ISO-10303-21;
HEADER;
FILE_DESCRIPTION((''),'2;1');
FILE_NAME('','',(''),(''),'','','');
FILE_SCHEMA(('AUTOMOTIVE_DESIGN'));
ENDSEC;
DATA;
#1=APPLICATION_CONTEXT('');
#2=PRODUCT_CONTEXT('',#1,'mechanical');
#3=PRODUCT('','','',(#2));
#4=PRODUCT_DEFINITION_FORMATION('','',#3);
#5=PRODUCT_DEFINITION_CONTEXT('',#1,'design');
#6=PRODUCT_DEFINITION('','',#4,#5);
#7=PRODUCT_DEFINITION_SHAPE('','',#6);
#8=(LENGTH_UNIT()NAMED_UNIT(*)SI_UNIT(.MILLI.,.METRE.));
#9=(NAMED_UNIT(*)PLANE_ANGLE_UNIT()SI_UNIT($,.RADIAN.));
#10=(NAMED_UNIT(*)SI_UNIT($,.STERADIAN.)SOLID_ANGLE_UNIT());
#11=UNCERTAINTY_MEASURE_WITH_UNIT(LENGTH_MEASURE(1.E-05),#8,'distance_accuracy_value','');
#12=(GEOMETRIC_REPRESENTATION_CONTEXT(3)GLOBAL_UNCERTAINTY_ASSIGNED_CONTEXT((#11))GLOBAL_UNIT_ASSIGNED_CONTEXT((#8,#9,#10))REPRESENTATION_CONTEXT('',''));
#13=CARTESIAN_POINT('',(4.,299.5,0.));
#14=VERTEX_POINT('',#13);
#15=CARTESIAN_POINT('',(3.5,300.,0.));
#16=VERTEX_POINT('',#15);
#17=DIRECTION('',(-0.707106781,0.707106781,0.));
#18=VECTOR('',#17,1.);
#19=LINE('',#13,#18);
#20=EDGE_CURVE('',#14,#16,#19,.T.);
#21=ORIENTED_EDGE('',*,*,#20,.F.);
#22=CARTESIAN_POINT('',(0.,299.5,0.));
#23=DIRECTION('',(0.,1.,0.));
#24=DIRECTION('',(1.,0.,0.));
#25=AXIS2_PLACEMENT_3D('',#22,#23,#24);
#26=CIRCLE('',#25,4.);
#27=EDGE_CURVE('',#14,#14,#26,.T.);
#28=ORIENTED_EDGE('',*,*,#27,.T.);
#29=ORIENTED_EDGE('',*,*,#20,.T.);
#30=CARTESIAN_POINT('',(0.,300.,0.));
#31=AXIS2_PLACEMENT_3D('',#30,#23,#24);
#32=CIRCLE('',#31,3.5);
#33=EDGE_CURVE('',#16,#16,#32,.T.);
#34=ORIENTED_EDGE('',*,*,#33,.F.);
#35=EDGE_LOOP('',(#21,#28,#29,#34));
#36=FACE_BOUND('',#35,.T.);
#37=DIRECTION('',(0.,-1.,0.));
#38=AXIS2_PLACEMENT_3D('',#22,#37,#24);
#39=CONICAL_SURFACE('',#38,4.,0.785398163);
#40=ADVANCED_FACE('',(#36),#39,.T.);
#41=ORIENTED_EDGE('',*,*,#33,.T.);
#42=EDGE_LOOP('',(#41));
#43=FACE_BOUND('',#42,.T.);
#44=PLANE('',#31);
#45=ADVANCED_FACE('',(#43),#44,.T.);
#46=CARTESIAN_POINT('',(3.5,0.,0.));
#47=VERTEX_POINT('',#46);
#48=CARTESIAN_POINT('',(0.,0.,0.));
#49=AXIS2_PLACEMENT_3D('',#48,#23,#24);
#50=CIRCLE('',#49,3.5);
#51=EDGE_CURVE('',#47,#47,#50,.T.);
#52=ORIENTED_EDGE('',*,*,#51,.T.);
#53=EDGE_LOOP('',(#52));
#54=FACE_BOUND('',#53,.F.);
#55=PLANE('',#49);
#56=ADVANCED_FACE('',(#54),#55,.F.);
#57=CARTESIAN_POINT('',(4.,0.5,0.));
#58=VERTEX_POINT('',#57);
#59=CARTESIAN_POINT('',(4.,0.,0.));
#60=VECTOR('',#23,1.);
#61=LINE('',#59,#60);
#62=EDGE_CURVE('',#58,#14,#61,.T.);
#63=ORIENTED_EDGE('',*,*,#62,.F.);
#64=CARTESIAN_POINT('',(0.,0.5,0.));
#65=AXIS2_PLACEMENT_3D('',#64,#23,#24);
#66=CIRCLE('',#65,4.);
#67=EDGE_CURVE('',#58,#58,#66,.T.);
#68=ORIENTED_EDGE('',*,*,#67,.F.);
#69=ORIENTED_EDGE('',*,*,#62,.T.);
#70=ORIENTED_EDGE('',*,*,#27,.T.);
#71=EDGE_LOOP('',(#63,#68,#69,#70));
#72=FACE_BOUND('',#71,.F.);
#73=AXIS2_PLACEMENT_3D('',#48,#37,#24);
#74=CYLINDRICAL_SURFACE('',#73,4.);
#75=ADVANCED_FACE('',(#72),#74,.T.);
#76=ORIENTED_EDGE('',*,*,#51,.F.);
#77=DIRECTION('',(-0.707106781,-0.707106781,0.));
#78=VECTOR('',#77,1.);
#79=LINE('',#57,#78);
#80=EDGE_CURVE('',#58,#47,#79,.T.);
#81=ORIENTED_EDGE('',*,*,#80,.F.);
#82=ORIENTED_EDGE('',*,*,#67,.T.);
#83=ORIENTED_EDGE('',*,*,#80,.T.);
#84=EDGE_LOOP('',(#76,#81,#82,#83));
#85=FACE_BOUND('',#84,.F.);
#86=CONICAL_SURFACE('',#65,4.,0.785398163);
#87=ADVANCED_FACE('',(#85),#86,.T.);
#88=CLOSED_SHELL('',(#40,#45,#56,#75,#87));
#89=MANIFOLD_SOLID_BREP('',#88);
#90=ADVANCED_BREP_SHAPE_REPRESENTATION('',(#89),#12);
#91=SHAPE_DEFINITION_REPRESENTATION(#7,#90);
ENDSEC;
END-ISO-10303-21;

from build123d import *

# Parameters (mm, degrees)
SKETCH1_R           = 4
BOSS_EXTRUDE1_DEPTH = 300
CHAMFER1_SIZE       = 0.5


with BuildPart() as part:
    # Sketch1 → Boss-Extrude1 (new body)
    with BuildSketch(Plane(origin=(0, 0, 0), x_dir=(1, 0, 0), z_dir=(0, 1, 0))):
        Circle(SKETCH1_R)
    extrude(amount=BOSS_EXTRUDE1_DEPTH)

    # Chamfer1
    chamfer1_edges = [part.edges().sort_by_distance(p)[0] for p in [
        (-4, 0, 0),
        (-4, 300, 0),
    ]]
    chamfer(chamfer1_edges, length=CHAMFER1_SIZE)


solid = part.part
